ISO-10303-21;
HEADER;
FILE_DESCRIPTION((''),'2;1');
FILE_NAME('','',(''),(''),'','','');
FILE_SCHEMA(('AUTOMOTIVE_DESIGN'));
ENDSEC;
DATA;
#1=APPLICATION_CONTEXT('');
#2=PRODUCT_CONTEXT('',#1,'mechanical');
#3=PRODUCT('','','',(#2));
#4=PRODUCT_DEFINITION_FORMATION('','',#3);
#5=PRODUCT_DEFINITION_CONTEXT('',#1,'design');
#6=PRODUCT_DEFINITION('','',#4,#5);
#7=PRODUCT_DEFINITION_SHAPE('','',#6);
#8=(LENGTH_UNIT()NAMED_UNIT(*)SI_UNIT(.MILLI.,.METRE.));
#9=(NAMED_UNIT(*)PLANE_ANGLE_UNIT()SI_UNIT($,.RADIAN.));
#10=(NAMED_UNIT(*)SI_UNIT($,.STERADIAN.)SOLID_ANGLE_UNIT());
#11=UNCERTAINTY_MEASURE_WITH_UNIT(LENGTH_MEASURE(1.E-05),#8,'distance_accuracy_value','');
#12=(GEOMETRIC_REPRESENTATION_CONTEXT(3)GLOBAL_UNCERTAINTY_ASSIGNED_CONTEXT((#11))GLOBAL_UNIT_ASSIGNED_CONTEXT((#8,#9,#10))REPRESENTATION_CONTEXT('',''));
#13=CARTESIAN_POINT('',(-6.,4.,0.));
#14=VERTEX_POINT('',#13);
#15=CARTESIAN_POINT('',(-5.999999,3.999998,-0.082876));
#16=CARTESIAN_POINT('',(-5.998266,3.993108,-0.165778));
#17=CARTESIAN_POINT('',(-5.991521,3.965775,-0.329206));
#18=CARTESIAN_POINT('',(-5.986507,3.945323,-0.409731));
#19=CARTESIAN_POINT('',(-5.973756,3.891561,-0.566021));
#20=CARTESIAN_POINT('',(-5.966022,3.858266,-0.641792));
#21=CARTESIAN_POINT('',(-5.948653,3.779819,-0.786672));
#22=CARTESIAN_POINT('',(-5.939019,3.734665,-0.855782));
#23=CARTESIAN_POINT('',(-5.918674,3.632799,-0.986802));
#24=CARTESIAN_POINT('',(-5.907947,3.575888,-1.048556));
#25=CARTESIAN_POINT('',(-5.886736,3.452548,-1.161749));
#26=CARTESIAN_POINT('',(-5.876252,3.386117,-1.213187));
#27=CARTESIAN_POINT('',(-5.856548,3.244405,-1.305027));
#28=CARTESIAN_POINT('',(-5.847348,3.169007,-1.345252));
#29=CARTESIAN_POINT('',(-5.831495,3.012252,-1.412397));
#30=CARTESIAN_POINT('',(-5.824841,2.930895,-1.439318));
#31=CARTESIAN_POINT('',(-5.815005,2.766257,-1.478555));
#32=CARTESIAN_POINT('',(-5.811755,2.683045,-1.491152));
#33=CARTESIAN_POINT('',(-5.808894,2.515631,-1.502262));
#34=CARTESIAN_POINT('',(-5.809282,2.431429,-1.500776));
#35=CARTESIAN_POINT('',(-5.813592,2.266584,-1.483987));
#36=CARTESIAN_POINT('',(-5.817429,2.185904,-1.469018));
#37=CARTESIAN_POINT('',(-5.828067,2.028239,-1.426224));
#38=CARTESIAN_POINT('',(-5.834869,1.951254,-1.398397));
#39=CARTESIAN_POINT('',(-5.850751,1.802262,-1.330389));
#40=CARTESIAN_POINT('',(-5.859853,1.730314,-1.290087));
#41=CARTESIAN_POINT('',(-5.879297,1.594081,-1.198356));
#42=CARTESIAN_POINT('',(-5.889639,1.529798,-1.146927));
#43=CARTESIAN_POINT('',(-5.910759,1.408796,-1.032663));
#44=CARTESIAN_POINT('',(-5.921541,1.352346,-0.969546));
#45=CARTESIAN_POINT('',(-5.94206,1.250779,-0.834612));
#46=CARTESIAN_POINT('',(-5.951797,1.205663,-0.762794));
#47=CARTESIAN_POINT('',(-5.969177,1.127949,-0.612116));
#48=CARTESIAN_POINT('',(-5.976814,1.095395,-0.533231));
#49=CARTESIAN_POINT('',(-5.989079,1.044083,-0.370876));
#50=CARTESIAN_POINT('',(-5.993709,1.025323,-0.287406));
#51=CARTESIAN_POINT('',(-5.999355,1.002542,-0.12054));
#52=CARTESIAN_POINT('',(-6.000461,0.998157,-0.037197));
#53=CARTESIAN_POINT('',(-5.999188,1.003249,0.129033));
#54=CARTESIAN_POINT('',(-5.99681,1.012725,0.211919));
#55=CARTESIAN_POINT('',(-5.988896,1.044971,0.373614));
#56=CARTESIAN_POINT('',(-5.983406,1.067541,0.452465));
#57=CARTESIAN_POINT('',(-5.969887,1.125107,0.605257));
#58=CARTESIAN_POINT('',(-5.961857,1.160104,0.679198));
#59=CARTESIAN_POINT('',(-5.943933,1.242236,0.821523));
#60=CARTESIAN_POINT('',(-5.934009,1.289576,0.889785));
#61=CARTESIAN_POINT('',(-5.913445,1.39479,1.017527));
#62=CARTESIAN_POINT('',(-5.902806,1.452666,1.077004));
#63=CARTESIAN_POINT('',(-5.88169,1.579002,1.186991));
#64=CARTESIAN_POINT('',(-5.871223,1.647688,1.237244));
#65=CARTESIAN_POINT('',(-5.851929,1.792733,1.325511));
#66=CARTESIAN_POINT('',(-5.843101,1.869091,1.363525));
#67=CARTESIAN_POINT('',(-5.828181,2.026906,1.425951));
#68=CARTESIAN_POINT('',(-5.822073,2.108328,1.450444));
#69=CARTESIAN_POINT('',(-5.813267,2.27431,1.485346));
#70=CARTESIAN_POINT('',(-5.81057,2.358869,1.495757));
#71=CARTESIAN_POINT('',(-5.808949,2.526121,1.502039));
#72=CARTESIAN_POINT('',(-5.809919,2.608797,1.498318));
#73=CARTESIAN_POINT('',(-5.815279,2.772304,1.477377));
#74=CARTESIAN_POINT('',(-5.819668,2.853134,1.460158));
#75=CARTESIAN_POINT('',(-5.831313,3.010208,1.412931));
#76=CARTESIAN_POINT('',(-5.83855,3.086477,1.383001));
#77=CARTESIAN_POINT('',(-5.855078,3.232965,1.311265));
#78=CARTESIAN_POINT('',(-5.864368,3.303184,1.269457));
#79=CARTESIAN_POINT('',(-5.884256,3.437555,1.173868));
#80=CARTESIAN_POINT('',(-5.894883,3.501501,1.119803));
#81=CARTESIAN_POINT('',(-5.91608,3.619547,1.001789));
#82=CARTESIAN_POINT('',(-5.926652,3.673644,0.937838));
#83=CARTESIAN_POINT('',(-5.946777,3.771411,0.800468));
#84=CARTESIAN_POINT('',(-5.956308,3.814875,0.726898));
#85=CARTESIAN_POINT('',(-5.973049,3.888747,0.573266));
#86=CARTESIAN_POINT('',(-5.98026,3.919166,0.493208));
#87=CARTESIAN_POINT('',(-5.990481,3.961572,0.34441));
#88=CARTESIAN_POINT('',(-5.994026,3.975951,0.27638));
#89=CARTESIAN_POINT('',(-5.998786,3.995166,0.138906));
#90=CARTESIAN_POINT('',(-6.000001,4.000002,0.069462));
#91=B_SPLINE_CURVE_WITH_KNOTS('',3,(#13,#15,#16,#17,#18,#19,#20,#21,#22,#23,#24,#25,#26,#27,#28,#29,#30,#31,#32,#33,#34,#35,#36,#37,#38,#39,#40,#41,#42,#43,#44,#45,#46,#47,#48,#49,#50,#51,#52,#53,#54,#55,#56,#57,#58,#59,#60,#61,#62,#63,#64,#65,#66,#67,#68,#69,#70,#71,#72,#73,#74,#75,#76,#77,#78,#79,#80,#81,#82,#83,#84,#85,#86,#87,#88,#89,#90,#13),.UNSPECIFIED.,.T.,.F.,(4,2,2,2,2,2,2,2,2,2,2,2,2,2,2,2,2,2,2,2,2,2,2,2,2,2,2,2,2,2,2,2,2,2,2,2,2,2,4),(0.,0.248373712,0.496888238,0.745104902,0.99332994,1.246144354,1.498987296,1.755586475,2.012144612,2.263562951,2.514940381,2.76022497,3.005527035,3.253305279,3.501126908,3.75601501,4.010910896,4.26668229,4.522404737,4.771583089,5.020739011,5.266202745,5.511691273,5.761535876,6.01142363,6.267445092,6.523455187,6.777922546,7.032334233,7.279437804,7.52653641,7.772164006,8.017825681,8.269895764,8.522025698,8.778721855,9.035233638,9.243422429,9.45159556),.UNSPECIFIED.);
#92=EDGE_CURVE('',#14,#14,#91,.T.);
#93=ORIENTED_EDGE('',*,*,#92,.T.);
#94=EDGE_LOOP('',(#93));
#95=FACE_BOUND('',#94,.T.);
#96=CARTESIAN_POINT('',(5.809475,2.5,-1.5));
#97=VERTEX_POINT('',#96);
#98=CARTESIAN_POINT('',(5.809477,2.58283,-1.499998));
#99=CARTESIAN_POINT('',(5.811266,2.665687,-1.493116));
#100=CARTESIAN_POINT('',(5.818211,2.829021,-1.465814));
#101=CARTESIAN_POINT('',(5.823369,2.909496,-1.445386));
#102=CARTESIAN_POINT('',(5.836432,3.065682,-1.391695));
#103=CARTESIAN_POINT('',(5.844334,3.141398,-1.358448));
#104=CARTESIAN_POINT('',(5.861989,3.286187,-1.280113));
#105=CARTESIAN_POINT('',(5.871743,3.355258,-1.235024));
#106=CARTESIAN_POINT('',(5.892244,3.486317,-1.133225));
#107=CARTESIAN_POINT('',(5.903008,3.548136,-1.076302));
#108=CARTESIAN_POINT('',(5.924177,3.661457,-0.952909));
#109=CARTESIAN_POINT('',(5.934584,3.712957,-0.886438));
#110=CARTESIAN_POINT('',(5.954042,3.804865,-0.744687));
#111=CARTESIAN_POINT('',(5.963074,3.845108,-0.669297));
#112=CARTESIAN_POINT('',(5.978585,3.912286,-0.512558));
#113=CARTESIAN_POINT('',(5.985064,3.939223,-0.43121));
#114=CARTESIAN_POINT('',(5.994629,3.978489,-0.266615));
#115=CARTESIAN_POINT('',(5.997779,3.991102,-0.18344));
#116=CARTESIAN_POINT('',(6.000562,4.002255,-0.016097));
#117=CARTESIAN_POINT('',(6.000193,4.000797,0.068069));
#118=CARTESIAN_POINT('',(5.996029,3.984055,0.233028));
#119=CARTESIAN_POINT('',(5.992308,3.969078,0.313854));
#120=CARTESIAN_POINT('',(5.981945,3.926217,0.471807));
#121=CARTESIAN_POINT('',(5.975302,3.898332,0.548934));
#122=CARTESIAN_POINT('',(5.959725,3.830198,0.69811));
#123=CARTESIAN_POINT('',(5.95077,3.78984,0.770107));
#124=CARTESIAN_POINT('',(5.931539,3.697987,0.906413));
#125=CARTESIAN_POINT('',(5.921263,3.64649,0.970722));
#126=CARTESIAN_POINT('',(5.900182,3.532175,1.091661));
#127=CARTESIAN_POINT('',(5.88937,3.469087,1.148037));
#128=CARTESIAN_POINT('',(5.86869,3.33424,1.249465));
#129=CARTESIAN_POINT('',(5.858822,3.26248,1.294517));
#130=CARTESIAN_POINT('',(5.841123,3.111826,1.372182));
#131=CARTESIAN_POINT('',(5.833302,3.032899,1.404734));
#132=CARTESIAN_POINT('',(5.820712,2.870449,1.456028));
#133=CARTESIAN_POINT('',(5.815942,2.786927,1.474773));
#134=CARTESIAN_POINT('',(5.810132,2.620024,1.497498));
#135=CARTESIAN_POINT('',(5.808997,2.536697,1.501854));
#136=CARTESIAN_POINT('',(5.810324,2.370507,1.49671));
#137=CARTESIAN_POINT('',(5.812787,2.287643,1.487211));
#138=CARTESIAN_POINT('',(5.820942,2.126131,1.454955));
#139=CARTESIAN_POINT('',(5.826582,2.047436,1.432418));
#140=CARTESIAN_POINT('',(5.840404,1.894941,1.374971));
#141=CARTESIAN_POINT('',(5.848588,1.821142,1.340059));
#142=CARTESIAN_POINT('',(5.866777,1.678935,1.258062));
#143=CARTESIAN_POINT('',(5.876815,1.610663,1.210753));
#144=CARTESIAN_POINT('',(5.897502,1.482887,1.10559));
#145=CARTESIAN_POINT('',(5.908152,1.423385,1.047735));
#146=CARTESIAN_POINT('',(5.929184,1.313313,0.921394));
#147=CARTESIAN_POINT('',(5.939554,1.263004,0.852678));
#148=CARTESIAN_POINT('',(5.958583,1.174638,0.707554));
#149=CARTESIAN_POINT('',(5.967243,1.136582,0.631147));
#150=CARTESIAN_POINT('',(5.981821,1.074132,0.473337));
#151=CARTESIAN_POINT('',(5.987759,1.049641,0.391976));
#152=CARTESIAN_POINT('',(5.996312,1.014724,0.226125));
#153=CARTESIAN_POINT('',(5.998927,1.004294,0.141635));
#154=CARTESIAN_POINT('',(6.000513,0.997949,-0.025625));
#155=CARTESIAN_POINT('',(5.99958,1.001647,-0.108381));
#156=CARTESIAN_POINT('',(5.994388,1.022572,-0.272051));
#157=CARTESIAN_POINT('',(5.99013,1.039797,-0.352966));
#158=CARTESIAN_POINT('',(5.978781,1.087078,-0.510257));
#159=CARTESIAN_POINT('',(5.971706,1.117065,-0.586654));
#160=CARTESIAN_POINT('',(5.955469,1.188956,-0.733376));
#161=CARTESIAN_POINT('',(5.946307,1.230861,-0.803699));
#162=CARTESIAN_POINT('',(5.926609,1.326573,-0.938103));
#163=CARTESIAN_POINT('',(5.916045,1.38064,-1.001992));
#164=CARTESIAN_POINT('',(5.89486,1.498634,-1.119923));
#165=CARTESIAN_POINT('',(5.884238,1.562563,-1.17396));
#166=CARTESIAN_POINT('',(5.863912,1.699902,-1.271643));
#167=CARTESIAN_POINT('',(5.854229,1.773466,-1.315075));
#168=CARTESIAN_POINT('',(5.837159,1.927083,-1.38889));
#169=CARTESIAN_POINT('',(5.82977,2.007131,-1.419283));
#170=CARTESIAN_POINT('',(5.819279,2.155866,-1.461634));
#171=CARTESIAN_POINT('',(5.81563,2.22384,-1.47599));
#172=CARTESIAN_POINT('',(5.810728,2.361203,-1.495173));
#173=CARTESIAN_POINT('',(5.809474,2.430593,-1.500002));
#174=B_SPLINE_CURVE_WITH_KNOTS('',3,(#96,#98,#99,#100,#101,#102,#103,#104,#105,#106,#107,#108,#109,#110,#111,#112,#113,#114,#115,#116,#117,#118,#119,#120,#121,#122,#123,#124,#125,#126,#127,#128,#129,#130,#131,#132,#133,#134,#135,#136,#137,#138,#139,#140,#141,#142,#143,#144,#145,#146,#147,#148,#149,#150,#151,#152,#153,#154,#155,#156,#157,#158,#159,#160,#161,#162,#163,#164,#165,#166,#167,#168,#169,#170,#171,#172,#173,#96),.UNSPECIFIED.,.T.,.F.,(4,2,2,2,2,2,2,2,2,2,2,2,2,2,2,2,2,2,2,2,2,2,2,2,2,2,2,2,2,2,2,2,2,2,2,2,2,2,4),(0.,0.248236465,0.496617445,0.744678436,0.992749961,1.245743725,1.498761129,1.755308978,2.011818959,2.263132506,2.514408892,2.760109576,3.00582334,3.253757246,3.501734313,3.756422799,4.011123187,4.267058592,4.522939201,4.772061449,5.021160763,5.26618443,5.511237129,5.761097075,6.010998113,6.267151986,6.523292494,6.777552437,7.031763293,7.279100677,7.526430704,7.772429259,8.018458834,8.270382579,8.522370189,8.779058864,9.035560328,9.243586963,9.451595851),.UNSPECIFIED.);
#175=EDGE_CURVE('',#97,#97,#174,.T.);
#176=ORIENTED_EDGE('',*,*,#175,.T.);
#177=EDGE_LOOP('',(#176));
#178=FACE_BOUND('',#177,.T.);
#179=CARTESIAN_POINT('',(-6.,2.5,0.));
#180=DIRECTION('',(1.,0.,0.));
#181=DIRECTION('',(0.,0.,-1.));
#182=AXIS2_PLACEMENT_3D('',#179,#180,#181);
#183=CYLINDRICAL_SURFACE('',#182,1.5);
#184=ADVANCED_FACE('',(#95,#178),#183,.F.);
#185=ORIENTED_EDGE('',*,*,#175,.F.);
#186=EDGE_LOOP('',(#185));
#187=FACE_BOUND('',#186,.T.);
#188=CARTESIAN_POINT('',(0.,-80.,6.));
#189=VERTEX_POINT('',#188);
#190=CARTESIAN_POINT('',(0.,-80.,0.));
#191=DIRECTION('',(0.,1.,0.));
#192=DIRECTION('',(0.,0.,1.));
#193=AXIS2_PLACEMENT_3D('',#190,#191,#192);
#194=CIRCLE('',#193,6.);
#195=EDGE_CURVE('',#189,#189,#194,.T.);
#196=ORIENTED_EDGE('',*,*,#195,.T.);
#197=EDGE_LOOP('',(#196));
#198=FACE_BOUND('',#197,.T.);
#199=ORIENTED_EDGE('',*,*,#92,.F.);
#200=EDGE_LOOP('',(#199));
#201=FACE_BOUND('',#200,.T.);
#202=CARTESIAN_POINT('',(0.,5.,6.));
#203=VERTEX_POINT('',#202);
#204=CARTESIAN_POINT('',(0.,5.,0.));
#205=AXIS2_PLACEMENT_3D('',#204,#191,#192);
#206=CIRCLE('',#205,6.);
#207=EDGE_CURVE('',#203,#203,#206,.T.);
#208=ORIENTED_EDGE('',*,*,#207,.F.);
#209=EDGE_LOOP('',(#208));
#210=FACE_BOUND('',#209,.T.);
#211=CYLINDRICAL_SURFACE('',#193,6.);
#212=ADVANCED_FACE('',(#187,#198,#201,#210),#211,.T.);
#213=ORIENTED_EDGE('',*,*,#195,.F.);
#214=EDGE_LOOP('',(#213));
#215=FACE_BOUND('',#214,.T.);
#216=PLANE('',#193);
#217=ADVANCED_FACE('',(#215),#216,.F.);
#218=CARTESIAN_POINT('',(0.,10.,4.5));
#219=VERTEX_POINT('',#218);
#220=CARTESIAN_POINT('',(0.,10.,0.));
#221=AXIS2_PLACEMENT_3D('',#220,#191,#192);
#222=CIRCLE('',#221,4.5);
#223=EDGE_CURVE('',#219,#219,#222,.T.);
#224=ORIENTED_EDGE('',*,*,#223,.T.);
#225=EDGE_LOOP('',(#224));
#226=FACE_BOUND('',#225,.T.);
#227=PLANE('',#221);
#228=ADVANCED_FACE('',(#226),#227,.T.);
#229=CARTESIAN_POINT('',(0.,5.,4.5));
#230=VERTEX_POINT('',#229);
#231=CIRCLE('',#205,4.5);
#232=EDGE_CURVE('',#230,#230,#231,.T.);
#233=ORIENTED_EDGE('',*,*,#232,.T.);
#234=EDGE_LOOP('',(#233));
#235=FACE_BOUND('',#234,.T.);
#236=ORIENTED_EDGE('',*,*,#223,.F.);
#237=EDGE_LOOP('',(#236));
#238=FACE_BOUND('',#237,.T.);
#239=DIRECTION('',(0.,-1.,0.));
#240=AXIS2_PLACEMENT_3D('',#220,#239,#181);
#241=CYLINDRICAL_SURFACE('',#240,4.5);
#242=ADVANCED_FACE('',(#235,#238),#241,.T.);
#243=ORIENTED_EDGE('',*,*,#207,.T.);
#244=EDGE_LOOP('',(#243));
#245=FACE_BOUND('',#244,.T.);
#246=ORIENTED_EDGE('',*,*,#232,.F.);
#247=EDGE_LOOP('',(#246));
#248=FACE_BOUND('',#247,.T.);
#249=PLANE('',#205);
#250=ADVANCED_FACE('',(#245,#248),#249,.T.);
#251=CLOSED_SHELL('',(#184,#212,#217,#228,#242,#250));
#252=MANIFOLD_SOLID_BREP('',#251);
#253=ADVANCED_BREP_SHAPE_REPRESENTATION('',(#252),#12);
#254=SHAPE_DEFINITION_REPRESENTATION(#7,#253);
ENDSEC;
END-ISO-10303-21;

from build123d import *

# Parameters (mm, degrees)
SKETCH_1_R               = 6
EXTRUDE_1_DEPTH          = 80
SKETCH_2_R               = 4.5
EXTRUDE_2_DEPTH          = 10
EXTRUDE_START            = 5
SKETCH_3_R               = 6
EXTRUDE_3_DEPTH          = 5
CUT_EXTRUDE_1_DEPTH      = 81.448741444
CUT_EXTRUDE_1_DEPTH_BACK = 81.448741444
SKETCH_4_R               = 1.5


with BuildPart() as part:
    # Эскиз1 → Бобышка-Вытянуть1 (new body)
    with BuildSketch(Plane(origin=(0, 0, 0), x_dir=(1, 0, 0), z_dir=(0, 1, 0))):
        with Locations(Location((0, 0, 0), (0, 0, 270))):
            Circle(SKETCH_1_R)
    extrude(amount=-EXTRUDE_1_DEPTH)

    # Эскиз2 → Бобышка-Вытянуть2 (add)
    with BuildSketch(Plane(origin=(0, 0, 0), x_dir=(1, 0, 0), z_dir=(0, 1, 0))):
        with Locations(Location((0, 0, 0), (0, 0, 270))):
            Circle(SKETCH_2_R)
    extrude(amount=EXTRUDE_2_DEPTH)

    # Эскиз3 → Бобышка-Вытянуть3 (add)
    with BuildSketch(Plane(origin=(0, 0, 0), x_dir=(1, 0, 0), z_dir=(0, 1, 0)).offset(EXTRUDE_START)):
        with Locations(Location((0, 0, 0), (0, 0, 270))):
            Circle(SKETCH_3_R)
    extrude(amount=-EXTRUDE_3_DEPTH)

    # Эскиз4 → Вырез-Вытянуть1 (cut, two sides: drawn at the far end of the back side and taken through both)
    with BuildSketch(Plane(origin=(0, 0, 0), x_dir=(0, 0, -1), z_dir=(1, 0, 0)).offset(-CUT_EXTRUDE_1_DEPTH_BACK)):
        with Locations((0, 2.5)):
            Circle(SKETCH_4_R)
    extrude(amount=CUT_EXTRUDE_1_DEPTH + CUT_EXTRUDE_1_DEPTH_BACK, mode=Mode.SUBTRACT)


solid = part.part
